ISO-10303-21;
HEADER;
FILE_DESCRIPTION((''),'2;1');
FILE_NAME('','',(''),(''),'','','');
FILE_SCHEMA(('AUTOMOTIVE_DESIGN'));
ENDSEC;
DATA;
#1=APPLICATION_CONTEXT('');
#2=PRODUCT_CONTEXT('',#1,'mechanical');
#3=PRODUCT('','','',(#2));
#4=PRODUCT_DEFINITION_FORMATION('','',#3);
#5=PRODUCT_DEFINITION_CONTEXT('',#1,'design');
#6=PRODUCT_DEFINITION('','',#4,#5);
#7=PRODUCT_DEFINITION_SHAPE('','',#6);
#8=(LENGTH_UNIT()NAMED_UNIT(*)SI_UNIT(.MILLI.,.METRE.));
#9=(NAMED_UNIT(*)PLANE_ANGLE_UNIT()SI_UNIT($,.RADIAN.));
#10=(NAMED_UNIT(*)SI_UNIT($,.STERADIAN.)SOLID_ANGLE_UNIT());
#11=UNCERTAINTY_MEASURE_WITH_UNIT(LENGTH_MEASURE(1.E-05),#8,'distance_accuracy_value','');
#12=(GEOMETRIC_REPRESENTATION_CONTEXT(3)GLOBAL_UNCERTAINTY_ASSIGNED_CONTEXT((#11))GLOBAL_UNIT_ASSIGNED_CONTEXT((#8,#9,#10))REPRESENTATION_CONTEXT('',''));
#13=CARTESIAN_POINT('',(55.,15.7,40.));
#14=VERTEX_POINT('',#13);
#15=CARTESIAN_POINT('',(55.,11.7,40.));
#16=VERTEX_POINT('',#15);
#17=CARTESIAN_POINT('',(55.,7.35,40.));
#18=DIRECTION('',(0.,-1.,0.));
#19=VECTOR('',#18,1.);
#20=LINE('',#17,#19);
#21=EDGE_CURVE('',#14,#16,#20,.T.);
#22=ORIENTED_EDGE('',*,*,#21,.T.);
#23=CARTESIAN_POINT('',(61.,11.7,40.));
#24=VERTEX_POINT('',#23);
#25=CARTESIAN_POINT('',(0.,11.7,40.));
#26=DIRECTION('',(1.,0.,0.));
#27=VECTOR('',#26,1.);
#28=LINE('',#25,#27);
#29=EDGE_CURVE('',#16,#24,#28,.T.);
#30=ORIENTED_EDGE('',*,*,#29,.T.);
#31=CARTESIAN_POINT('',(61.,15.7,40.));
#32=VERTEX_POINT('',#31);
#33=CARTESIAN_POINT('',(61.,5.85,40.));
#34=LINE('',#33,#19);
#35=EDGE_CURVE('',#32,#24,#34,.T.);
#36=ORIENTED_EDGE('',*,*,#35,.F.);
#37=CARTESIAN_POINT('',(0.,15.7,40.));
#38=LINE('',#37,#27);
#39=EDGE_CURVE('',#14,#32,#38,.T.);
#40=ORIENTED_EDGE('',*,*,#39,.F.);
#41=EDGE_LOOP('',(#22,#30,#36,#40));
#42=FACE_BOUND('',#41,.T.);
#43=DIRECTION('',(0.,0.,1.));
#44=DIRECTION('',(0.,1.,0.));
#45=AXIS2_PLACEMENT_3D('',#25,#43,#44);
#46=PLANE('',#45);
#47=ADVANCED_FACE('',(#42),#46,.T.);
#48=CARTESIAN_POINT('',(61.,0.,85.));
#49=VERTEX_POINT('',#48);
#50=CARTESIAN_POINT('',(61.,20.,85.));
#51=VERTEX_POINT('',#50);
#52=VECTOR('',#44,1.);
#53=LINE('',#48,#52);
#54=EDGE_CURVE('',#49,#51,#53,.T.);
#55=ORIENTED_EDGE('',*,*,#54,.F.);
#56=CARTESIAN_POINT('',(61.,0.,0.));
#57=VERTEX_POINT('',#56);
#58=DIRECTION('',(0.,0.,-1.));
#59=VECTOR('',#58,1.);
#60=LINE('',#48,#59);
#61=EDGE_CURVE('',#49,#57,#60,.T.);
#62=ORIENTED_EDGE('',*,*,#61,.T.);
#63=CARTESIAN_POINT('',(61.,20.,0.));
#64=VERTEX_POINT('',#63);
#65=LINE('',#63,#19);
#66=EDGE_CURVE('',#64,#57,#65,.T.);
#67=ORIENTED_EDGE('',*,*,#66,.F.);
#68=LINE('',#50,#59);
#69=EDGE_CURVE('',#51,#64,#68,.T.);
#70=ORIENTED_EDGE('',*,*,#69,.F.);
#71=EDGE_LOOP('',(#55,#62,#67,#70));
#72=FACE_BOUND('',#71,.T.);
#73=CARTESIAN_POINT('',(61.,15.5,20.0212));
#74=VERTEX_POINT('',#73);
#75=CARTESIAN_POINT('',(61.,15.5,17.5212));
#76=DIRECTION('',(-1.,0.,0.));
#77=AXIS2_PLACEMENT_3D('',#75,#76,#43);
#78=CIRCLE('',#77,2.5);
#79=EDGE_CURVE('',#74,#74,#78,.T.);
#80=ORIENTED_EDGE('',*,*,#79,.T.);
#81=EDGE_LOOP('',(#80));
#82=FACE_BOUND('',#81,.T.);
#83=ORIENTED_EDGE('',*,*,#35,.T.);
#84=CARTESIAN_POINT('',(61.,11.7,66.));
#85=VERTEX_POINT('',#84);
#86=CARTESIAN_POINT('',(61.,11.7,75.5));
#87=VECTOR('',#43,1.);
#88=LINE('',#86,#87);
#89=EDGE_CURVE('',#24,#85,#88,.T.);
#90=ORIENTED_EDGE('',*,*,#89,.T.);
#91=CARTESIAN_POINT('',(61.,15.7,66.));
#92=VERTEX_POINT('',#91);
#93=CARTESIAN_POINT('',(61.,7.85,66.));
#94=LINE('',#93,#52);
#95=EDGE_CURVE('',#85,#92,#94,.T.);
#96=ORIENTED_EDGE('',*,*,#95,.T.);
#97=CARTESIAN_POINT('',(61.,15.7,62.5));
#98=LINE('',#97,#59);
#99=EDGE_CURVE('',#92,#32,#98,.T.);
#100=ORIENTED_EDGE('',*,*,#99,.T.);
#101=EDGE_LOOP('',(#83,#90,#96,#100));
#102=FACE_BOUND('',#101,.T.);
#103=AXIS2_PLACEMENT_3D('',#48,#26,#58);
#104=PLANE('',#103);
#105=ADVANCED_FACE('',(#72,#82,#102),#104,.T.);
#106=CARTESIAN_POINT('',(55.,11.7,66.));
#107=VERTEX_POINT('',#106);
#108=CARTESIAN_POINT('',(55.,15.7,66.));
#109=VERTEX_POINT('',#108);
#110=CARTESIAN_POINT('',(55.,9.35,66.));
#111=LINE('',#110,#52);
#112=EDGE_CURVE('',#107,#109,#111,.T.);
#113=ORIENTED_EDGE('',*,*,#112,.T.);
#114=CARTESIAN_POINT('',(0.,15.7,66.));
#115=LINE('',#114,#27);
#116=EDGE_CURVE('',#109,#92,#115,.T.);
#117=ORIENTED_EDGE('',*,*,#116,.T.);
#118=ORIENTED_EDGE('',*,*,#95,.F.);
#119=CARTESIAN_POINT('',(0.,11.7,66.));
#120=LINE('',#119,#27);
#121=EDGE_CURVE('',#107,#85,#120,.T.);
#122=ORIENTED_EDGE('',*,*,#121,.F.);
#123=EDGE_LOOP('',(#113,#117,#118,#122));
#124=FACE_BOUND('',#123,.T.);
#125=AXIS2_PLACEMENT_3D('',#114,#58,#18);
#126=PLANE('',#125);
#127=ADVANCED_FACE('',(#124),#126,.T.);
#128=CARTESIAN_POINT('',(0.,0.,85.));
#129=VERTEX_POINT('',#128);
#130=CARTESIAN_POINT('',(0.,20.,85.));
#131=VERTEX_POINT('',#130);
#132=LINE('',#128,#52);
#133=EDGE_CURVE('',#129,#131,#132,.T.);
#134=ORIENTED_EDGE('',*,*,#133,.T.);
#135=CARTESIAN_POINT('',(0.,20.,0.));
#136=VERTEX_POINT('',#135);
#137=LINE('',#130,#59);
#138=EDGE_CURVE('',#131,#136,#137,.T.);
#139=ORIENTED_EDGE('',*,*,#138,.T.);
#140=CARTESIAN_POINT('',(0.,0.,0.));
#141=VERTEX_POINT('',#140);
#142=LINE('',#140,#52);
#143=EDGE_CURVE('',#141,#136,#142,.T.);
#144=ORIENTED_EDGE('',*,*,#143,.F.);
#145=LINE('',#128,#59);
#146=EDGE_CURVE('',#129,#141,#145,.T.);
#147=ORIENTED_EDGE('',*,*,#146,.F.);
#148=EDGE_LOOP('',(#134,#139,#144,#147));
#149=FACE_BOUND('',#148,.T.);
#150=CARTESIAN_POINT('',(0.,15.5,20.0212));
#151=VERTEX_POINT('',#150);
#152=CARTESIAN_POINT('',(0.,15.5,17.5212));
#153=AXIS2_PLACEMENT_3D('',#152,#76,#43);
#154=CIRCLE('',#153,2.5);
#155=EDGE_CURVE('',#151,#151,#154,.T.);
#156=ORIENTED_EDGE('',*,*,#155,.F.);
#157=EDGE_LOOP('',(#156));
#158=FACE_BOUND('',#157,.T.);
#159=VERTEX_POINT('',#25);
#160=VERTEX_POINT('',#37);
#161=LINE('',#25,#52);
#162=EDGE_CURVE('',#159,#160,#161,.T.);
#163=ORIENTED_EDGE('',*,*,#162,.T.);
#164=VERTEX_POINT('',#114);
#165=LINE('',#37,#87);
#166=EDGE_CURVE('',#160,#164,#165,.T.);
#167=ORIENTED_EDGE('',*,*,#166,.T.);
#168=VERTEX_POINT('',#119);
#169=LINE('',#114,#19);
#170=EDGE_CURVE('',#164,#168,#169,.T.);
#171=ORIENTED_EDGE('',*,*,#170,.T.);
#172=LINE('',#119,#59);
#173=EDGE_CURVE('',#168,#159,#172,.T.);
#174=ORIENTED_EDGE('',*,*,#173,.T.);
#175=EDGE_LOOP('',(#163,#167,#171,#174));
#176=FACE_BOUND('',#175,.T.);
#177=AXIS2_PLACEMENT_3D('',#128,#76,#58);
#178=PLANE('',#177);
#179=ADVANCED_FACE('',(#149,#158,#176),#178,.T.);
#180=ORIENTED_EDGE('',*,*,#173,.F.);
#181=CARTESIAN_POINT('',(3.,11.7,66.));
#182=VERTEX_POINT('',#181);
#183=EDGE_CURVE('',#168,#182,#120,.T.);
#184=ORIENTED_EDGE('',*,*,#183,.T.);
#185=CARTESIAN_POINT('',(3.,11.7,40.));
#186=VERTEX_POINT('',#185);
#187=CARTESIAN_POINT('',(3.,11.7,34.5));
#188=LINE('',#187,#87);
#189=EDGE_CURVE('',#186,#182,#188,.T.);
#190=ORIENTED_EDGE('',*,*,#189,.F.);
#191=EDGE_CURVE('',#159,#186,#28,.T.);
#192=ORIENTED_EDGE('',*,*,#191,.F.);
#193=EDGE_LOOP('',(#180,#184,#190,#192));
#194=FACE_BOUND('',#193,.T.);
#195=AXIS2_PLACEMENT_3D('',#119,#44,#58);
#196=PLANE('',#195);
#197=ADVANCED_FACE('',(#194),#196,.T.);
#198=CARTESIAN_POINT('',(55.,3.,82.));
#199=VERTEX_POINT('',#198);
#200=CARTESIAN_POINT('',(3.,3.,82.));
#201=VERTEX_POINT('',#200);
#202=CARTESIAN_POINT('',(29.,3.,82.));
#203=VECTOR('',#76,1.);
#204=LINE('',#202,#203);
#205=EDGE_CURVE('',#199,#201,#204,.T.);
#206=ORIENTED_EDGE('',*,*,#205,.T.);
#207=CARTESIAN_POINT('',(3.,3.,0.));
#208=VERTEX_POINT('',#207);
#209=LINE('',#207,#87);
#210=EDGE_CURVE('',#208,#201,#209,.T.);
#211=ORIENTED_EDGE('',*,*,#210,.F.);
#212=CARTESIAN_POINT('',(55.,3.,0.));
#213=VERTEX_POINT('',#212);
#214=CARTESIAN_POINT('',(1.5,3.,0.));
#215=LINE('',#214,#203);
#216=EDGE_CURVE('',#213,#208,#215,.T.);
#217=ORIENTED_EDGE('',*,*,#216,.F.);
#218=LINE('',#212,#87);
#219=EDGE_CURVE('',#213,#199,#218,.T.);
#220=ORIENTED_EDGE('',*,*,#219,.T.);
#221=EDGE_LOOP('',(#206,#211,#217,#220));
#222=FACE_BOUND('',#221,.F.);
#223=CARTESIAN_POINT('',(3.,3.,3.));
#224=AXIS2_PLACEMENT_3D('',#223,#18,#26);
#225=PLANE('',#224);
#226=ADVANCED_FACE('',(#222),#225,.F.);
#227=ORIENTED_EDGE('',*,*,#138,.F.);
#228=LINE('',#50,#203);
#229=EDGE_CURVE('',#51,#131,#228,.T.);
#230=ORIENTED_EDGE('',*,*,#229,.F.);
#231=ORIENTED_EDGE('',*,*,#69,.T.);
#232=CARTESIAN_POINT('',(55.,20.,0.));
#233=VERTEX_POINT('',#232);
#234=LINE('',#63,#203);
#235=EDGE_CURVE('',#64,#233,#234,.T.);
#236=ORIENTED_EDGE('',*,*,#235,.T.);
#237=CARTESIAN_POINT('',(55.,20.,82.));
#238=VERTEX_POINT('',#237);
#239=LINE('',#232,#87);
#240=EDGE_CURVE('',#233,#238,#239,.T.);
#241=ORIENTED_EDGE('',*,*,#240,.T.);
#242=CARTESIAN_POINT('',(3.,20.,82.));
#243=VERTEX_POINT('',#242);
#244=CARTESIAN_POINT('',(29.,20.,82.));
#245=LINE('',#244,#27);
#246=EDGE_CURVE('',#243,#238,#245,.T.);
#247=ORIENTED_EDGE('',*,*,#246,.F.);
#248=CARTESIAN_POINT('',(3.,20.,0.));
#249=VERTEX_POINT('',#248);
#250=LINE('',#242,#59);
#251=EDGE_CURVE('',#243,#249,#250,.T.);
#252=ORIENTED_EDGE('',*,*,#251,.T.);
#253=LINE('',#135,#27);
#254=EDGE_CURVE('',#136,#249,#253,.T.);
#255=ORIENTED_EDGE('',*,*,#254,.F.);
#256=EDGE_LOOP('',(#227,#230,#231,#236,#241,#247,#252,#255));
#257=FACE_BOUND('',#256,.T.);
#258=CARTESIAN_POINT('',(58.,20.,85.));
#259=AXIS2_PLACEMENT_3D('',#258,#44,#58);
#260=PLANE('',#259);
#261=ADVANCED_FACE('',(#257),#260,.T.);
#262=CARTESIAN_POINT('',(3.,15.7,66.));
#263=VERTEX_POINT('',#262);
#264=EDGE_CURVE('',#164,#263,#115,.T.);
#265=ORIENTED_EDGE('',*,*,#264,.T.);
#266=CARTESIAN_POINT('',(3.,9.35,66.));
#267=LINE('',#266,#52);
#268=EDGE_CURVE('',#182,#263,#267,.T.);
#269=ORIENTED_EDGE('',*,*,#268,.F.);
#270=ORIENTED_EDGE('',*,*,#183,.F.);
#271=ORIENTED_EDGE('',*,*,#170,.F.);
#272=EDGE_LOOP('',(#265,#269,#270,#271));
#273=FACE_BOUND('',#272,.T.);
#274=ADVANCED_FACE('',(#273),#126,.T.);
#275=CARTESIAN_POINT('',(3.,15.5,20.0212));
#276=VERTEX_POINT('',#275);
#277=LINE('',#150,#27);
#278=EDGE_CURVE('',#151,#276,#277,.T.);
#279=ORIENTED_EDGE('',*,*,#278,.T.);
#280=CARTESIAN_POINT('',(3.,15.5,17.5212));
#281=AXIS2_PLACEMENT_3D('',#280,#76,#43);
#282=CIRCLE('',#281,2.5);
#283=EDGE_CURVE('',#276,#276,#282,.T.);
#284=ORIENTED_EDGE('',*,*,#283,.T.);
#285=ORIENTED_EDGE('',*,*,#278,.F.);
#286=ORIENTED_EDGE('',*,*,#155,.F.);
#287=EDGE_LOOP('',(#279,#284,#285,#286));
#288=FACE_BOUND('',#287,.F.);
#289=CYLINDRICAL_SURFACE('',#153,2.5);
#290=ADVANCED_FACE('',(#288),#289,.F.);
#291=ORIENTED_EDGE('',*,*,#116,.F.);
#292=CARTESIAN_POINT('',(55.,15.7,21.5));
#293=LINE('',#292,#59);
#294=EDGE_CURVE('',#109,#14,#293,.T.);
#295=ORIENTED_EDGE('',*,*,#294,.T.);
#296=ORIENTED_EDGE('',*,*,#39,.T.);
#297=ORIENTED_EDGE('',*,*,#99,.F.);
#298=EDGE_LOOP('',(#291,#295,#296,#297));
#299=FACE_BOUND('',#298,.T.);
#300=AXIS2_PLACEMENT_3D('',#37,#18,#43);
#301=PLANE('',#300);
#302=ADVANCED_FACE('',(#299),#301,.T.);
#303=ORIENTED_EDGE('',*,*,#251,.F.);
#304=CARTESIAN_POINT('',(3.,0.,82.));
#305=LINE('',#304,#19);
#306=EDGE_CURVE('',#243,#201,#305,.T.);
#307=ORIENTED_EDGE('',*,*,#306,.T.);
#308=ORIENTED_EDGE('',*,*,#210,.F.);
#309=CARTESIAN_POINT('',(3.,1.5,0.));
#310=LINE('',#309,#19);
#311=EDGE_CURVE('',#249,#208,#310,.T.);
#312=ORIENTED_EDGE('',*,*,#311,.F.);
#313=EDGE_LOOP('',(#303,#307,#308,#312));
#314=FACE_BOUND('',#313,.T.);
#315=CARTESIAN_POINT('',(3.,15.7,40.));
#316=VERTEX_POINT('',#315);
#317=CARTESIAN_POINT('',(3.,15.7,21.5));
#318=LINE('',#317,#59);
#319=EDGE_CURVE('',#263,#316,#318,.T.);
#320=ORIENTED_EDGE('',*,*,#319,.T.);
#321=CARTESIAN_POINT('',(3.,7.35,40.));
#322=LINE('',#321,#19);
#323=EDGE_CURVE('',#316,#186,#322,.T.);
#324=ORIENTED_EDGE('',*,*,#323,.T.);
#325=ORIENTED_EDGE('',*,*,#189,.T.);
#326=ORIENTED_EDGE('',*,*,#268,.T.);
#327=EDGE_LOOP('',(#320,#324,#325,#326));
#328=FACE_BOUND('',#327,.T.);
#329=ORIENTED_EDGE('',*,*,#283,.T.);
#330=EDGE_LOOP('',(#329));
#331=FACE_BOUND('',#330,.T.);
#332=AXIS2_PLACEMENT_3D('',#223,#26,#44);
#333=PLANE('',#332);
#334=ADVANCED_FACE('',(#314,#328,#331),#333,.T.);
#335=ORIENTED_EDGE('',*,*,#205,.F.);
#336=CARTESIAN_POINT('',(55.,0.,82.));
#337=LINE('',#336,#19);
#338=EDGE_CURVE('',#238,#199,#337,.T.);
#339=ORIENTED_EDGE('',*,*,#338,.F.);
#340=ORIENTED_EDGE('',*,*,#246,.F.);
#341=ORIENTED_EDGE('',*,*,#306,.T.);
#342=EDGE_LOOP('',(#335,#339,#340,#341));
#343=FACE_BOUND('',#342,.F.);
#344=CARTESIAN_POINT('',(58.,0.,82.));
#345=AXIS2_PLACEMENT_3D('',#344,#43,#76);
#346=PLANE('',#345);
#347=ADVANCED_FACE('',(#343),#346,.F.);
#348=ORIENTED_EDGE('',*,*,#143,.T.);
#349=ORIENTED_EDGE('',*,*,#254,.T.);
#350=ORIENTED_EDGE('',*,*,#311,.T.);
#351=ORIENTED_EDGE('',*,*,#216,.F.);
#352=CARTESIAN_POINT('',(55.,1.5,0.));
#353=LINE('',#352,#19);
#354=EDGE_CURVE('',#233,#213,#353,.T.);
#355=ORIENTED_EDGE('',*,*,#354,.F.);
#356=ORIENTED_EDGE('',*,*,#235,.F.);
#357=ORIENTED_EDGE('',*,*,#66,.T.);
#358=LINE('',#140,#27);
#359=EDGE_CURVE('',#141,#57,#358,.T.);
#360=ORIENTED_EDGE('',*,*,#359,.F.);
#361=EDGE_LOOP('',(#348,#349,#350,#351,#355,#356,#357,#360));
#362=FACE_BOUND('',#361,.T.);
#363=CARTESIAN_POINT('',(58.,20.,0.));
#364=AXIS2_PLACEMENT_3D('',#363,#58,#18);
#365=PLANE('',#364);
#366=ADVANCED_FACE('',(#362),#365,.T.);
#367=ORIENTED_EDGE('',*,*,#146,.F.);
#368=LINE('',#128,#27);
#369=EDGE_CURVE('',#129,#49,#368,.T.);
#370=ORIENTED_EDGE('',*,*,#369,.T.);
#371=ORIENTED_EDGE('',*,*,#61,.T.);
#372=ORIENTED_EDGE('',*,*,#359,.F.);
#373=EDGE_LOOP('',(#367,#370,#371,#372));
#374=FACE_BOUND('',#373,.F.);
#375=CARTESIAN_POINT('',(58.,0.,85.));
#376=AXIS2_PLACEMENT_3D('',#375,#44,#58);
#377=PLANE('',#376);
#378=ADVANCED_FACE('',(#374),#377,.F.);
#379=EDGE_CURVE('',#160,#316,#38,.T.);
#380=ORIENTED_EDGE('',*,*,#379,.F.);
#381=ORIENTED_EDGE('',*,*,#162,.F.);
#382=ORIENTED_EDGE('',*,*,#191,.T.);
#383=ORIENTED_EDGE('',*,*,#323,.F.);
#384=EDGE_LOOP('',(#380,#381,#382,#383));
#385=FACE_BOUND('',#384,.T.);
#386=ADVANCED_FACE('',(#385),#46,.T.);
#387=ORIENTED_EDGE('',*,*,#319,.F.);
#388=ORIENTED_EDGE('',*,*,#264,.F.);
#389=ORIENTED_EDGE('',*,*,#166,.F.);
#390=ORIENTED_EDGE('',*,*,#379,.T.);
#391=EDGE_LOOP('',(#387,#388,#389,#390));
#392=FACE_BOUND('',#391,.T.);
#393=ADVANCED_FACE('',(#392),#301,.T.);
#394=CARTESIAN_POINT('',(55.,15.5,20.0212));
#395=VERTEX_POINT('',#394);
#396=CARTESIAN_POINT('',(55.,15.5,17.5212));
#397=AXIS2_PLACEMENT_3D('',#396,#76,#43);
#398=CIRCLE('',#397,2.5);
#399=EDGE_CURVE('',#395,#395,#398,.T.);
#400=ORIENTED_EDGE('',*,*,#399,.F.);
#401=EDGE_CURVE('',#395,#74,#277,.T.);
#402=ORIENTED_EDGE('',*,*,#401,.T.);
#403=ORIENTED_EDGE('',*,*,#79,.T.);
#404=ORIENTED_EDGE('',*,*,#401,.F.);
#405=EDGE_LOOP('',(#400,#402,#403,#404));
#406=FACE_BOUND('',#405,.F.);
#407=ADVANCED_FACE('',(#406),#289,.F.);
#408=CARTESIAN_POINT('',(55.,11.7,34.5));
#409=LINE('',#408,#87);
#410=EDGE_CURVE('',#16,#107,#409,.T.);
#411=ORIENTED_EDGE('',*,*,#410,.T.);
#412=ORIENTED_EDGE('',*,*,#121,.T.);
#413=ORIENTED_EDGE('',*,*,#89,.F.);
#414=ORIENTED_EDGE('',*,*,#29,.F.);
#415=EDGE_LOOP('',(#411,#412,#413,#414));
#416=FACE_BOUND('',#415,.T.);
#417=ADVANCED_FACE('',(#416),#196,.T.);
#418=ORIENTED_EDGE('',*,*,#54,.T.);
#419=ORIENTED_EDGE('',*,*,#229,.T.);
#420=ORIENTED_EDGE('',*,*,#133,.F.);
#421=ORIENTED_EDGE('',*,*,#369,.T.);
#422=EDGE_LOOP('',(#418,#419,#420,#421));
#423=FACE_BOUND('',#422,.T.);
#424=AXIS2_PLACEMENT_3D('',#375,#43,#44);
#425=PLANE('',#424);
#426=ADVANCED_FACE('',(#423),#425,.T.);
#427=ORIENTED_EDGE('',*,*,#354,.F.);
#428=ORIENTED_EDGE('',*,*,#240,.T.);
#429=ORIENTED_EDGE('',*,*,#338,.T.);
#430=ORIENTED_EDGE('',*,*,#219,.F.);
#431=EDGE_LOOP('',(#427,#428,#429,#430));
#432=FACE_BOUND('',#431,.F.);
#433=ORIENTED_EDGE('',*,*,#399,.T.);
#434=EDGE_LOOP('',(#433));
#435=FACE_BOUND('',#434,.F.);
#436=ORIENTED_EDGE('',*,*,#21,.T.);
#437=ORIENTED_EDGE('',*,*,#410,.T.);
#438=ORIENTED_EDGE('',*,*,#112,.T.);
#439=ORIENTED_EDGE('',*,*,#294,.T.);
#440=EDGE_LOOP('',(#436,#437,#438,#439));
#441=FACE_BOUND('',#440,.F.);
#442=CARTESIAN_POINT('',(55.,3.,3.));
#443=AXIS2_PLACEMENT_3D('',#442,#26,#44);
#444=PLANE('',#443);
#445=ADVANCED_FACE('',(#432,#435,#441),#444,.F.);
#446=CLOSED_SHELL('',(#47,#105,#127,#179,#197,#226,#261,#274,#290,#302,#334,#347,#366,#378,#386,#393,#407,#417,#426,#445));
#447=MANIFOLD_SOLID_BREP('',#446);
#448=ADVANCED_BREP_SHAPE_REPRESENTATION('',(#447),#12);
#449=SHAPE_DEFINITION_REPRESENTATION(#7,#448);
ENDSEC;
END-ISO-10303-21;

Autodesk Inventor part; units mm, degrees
ref_plane "YZ Plane" through (0, 0, 0) normal (1, 0, 0) x (0, 1, 0)
ref_plane "XZ Plane" through (0, 0, 0) normal (0, 1, 0) x (-1, 0, 0)
ref_plane "XY Plane" through (0, 0, 0) normal (0, 0, 1) x (1, 0, 0)
sketch "Sketch2" plane through (0, 0, 0) normal (0, 1, 0) x (-1, 0, 0)
  line L0 (0, 0) -> (-58, 0)
  line L1 (-58, 0) -> (-58, 85)
  line L2 (-58, 85) -> (0, 85)
  line L3 (0, 85) -> (0, 0)
  dimension "d0" = 58
  dimension "d1" = 85
extrude "Extrusion1" add sketch "Sketch2" along normal blind 20
shell "Shell1" thickness 3 removed faces 1 at (19.3333, 20, 28.3333)
sketch "Sketch4" plane through (58, 0, 0) normal (0, 0, -1) x (-1, 0, 0)
  point P0 (58, 0)
sketch "Sketch5" plane through (3, 3, 3) normal (0, 0, 1) x (1, 0, 0)
  line L0 (0, 0) -> (0, 17) projected
  line L1 (0, 17) -> (52, 17) projected
  line L2 (0, 0) -> (52, 0)
  line L3 (52, 0) -> (52, 17)
  line L4 (52, 17) -> (0, 17)
  line L5 (0, 17) -> (0, 0)
  point P0 (-3, -3)
extrude "Extrusion3" cut sketch "Sketch5" against normal blind 10
sketch "Sketch6" plane through (0, 0, 0) normal (-1, 0, 0) x (0, 0, 1)
  line L0 (40, 15.7) -> (66, 15.7)
  line L1 (66, 15.7) -> (66, 11.7)
  line L2 (66, 11.7) -> (40, 11.7)
  line L3 (40, 11.7) -> (40, 15.7)
  line L4 (0, 0) -> (0, 20) projected
  line L5 (0, 0) -> (85, 0) projected
  line L6 (85, 0) -> (85, 20) projected
  dimension "d19" = 26
  dimension "d20" = 4
  dimension "d22" = 11.7
  dimension "d32" = 45
sketch "Sketch7" plane through (58, 0, 85) normal (1, 0, 0) x (0, 0, -1)
  line L0 (0, 0) -> (85, 0) projected
  line L1 (0, 20) -> (85, 20)
  line L2 (85, 20) -> (85, 0)
  line L3 (85, 0) -> (0, 0)
  line L4 (0, 0) -> (0, 20)
extrude "Extrusion5" add sketch "Sketch7" along normal blind 3
extrude "Extrusion6" cut sketch "Sketch6" against normal through all
sketch "Sketch9" plane through (0, 0, 0) normal (-1, 0, 0) x (0, 0, 1)
  circle A0 centre (17.5212, 15.5) radius 2.5
  line L0 (0, 20) -> (85, 20) projected
  point P0 (0, 0)
  dimension "d33" = 5
  dimension "d36" = 2
extrude "Extrusion8" cut sketch "Sketch9" against normal through all
properties part number "breadboard box v02"
